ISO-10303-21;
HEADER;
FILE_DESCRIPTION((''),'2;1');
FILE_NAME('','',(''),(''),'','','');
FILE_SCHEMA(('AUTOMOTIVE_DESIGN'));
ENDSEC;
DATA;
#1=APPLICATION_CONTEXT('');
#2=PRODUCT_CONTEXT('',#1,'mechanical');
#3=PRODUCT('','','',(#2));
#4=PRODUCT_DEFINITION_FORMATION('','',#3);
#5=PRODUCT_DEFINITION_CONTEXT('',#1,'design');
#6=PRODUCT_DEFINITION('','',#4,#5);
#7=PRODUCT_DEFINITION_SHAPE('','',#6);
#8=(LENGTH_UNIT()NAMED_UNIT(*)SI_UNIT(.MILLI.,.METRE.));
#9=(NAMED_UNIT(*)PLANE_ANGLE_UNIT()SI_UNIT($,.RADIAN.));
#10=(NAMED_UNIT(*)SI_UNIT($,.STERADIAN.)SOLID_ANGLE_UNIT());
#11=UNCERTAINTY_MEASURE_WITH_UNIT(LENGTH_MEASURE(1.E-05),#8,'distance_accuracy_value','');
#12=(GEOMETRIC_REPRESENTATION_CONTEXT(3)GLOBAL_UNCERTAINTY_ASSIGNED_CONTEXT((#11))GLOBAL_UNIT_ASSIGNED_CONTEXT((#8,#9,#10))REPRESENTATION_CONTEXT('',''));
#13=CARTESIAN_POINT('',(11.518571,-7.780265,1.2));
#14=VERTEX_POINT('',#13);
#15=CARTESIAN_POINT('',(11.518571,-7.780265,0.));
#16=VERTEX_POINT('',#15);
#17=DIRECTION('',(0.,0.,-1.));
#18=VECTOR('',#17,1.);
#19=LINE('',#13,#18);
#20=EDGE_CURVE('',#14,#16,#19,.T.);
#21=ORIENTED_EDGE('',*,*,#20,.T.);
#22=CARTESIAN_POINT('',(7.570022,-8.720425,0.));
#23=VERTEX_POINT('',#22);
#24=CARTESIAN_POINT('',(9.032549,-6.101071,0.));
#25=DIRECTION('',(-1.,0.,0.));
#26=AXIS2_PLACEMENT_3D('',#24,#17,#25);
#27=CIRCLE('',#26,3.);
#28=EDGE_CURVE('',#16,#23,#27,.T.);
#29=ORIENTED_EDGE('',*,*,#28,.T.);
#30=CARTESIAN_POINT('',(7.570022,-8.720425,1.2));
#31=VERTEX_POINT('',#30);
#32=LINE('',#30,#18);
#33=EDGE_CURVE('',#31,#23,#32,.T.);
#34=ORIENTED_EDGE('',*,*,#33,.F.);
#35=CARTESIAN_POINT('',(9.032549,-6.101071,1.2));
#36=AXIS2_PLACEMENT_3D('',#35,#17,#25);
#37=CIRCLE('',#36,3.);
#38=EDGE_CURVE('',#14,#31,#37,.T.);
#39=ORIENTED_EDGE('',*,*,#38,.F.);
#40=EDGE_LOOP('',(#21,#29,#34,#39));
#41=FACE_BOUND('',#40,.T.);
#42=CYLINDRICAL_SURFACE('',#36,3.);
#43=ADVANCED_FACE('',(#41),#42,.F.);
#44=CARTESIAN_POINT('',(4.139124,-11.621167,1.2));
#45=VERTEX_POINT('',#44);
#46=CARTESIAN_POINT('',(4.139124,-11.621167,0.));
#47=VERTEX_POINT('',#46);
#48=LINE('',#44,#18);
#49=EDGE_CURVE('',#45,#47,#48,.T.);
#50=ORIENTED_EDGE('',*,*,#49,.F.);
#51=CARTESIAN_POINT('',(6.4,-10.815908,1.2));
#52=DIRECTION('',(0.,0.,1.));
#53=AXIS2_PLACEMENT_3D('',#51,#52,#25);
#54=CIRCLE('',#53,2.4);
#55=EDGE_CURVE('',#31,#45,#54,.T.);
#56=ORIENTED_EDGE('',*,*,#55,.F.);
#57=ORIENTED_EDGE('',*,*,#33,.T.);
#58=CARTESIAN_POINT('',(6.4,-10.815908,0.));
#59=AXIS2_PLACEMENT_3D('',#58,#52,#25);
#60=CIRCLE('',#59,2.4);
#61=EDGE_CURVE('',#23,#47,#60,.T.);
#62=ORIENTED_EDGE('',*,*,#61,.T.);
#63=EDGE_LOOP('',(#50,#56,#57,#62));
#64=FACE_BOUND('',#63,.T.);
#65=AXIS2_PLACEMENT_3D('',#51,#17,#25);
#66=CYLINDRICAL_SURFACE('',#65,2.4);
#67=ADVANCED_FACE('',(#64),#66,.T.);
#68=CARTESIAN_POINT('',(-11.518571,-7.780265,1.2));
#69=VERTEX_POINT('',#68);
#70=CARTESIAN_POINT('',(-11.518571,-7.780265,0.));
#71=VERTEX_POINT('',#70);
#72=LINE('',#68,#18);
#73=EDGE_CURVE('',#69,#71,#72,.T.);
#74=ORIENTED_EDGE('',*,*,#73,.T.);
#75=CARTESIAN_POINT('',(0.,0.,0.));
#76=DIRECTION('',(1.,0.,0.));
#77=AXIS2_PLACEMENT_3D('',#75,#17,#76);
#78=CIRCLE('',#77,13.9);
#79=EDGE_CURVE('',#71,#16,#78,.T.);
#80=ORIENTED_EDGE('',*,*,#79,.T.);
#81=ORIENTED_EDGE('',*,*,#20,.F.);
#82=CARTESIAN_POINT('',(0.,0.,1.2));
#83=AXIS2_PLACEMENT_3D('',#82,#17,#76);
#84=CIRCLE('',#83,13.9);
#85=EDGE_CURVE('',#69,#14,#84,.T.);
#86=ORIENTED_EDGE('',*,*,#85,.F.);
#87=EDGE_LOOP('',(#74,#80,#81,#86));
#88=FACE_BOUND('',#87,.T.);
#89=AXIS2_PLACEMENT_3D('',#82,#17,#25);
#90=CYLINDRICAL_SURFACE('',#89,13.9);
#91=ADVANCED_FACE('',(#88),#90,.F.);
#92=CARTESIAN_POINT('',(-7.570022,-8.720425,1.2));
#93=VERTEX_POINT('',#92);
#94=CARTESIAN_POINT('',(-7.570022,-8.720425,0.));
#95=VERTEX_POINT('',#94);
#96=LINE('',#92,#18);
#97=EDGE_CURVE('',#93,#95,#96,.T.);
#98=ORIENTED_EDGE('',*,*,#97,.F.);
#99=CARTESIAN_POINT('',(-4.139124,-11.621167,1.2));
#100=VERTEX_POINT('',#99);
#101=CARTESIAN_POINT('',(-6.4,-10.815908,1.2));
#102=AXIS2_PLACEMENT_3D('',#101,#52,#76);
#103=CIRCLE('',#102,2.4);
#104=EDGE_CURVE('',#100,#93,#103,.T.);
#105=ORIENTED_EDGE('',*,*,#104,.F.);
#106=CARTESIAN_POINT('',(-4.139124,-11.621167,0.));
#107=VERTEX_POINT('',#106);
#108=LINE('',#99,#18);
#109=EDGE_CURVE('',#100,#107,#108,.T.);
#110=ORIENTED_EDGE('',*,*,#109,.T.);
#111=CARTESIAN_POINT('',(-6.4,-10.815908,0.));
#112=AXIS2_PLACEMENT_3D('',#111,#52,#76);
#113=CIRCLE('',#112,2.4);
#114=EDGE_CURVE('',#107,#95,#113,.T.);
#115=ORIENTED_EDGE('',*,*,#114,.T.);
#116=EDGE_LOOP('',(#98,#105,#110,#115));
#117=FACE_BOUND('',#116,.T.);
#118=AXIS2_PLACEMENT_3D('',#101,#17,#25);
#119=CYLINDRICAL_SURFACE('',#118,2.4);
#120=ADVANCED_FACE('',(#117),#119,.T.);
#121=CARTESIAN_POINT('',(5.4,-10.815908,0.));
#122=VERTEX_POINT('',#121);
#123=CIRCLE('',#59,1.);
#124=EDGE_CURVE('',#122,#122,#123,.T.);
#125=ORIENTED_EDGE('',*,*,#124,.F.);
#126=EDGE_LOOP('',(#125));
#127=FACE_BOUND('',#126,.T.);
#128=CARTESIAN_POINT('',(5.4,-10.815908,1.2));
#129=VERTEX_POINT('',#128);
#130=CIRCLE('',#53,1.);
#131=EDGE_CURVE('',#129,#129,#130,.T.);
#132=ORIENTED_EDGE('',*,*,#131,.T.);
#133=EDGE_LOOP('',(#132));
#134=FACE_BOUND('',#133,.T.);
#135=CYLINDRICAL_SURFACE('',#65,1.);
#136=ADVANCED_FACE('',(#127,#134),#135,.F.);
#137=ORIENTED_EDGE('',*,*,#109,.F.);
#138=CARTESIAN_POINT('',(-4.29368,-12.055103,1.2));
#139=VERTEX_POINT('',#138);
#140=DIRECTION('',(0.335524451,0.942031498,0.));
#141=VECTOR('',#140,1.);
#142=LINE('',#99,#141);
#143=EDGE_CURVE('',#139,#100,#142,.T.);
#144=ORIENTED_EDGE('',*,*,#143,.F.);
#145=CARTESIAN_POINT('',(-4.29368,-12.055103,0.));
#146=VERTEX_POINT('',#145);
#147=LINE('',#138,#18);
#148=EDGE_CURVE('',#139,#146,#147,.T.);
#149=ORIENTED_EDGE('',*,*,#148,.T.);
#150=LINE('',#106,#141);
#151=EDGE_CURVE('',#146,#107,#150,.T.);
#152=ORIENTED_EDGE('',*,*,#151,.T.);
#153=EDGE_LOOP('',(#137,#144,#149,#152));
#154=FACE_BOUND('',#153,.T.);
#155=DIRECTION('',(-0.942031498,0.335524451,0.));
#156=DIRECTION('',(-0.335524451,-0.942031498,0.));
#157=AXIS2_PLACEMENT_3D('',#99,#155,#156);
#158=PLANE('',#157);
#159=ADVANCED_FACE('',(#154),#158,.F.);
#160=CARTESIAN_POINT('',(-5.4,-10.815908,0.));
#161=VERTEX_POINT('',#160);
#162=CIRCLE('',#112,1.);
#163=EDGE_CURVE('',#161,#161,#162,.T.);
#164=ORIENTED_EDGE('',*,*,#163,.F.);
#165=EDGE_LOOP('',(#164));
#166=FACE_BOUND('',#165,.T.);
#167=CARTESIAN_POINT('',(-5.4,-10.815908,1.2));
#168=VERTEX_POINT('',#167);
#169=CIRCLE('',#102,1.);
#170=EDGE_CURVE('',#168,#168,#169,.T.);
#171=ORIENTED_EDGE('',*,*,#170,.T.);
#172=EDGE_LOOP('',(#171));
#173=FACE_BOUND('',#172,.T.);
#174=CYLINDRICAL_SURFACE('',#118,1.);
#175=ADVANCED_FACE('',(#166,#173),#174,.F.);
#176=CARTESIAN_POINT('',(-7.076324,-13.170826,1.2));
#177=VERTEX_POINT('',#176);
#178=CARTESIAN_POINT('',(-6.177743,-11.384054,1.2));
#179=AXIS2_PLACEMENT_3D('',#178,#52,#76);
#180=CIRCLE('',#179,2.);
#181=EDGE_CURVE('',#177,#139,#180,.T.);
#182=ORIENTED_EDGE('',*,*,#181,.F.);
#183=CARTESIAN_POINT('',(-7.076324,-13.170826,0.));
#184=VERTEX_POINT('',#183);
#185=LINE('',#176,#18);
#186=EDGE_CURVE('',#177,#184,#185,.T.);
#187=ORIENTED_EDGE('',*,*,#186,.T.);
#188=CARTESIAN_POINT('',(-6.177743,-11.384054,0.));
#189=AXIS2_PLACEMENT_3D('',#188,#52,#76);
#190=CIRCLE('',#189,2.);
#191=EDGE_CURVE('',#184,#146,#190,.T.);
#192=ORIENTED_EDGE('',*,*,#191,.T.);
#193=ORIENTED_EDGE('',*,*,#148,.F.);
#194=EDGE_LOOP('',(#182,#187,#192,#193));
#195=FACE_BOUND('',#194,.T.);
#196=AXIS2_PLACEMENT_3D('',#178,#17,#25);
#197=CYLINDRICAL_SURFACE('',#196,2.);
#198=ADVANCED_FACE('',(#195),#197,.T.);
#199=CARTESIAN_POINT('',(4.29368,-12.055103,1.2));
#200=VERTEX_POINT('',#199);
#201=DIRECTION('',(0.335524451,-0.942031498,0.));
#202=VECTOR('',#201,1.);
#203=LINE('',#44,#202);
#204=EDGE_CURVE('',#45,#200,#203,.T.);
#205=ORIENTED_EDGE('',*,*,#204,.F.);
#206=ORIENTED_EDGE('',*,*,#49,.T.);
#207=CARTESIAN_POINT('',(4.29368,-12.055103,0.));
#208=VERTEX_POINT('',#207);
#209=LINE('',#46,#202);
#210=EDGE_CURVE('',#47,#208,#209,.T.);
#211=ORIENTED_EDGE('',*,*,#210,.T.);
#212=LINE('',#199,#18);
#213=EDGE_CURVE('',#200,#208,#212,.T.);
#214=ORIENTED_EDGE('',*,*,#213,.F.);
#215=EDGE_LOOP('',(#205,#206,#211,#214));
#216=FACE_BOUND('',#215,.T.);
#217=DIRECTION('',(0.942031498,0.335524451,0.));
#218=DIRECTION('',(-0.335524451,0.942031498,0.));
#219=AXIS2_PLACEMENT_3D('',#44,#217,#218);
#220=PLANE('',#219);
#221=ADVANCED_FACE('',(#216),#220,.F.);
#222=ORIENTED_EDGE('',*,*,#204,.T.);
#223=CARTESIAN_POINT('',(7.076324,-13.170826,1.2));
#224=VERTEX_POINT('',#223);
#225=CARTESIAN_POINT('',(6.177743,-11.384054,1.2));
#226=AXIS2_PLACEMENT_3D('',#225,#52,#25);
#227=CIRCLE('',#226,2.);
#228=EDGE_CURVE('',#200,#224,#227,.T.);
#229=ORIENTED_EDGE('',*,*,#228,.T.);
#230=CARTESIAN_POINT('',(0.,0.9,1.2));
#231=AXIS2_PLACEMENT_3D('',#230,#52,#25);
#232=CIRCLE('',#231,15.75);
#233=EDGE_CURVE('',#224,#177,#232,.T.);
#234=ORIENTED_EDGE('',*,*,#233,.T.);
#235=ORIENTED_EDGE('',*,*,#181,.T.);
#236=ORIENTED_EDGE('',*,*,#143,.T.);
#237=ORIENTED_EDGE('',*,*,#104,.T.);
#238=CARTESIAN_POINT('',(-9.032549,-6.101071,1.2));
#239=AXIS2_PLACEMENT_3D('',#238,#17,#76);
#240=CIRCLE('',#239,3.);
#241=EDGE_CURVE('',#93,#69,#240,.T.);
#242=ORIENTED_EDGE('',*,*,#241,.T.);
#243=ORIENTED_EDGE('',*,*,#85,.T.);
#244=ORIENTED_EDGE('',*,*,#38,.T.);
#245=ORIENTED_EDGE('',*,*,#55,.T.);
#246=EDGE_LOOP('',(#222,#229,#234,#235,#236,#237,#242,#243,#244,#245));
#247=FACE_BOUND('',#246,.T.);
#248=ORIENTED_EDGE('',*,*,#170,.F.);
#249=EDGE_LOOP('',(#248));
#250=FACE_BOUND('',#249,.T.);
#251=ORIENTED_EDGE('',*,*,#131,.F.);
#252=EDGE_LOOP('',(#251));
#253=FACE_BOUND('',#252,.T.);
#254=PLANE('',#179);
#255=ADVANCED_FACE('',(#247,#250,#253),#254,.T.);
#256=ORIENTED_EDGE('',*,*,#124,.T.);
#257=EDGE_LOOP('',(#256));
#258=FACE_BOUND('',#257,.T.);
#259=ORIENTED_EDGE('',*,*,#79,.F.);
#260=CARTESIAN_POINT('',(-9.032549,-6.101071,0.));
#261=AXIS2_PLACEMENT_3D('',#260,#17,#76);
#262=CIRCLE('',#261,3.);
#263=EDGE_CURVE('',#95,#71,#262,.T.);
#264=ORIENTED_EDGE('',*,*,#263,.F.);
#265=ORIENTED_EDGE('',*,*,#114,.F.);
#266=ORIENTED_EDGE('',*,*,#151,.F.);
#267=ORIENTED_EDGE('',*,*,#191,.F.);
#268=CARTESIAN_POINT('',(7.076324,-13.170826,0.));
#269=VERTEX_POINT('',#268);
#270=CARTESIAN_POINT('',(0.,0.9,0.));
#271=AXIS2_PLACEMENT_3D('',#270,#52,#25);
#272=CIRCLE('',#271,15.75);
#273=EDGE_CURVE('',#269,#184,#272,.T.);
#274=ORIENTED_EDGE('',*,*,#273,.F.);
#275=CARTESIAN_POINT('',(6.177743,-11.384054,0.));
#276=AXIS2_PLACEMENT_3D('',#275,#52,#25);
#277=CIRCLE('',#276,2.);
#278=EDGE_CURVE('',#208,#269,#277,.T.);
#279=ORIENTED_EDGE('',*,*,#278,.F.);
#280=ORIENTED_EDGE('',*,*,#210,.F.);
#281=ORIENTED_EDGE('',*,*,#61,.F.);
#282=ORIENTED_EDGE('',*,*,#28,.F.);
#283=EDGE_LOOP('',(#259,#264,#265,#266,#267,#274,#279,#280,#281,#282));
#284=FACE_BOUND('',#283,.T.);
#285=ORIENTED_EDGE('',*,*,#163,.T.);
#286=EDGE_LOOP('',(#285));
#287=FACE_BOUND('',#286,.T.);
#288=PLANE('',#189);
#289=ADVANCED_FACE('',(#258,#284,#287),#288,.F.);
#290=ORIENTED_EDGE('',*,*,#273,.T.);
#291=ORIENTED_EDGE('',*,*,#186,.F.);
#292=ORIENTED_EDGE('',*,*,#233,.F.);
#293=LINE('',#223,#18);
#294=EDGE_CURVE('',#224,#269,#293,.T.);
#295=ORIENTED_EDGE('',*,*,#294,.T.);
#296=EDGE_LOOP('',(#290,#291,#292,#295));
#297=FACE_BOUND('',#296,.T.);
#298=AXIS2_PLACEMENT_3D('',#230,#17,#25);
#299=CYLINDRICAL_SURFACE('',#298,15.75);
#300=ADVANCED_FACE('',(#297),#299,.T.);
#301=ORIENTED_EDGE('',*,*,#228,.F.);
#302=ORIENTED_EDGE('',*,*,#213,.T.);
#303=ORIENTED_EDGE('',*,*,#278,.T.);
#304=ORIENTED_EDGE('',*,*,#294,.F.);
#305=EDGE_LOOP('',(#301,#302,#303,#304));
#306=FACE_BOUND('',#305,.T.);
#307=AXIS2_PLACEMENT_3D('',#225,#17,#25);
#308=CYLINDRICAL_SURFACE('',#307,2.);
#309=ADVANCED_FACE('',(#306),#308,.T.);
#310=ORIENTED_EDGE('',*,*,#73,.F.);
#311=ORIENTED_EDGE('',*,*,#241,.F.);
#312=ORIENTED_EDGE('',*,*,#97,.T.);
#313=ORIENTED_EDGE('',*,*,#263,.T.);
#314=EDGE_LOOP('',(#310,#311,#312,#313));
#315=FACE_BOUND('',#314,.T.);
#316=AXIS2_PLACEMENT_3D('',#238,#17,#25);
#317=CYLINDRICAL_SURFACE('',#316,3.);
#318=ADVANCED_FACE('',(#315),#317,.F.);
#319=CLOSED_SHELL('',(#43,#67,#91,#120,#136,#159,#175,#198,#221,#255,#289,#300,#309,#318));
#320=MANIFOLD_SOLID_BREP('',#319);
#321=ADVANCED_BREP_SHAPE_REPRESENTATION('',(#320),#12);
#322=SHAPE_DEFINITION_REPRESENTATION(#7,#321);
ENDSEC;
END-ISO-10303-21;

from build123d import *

# Parameters (mm, degrees)
SKETCH1_R  = 1
BODY_DEPTH = 1.2


with BuildPart() as part:
    # Sketch1 → Body (new body)
    with BuildSketch(Plane.XY):
        with BuildLine():
            Line((4.139124405, -11.62116667), (4.293680087, -12.055103216))
            ThreePointArc((4.293680087, -12.055103216), (5.433429283, -13.240393983), (7.076323895, -13.170825851))
            ThreePointArc((7.076323895, -13.170825851), (0, 16.65), (-7.076323895, -13.170825851))
            ThreePointArc((-7.076323895, -13.170825851), (-5.433429283, -13.240393983), (-4.293680087, -12.055103216))
            Line((-4.293680087, -12.055103216), (-4.139124405, -11.62116667))
            ThreePointArc((-4.139124405, -11.62116667), (-4.850462528, -8.983168612), (-7.570021573, -8.720424866))
            ThreePointArc((-7.570021573, -8.720424866), (-9.727430565, -9.019484739), (-11.518571073, -7.780264805))
            ThreePointArc((-11.518571073, -7.780264805), (0, 13.9), (11.518571073, -7.780264805))
            ThreePointArc((11.518571073, -7.780264805), (9.727430565, -9.019484739), (7.570021573, -8.720424866))
            ThreePointArc((7.570021573, -8.720424866), (4.850462528, -8.983168612), (4.139124405, -11.62116667))
        make_face()
        with Locations((-6.4, -10.815907989)):
            Circle(SKETCH1_R, mode=Mode.SUBTRACT)
        with Locations(Location((6.4, -10.815907989, 0), (0, 0, 180))):
            Circle(SKETCH1_R, mode=Mode.SUBTRACT)
    extrude(amount=BODY_DEPTH)


solid = part.part
